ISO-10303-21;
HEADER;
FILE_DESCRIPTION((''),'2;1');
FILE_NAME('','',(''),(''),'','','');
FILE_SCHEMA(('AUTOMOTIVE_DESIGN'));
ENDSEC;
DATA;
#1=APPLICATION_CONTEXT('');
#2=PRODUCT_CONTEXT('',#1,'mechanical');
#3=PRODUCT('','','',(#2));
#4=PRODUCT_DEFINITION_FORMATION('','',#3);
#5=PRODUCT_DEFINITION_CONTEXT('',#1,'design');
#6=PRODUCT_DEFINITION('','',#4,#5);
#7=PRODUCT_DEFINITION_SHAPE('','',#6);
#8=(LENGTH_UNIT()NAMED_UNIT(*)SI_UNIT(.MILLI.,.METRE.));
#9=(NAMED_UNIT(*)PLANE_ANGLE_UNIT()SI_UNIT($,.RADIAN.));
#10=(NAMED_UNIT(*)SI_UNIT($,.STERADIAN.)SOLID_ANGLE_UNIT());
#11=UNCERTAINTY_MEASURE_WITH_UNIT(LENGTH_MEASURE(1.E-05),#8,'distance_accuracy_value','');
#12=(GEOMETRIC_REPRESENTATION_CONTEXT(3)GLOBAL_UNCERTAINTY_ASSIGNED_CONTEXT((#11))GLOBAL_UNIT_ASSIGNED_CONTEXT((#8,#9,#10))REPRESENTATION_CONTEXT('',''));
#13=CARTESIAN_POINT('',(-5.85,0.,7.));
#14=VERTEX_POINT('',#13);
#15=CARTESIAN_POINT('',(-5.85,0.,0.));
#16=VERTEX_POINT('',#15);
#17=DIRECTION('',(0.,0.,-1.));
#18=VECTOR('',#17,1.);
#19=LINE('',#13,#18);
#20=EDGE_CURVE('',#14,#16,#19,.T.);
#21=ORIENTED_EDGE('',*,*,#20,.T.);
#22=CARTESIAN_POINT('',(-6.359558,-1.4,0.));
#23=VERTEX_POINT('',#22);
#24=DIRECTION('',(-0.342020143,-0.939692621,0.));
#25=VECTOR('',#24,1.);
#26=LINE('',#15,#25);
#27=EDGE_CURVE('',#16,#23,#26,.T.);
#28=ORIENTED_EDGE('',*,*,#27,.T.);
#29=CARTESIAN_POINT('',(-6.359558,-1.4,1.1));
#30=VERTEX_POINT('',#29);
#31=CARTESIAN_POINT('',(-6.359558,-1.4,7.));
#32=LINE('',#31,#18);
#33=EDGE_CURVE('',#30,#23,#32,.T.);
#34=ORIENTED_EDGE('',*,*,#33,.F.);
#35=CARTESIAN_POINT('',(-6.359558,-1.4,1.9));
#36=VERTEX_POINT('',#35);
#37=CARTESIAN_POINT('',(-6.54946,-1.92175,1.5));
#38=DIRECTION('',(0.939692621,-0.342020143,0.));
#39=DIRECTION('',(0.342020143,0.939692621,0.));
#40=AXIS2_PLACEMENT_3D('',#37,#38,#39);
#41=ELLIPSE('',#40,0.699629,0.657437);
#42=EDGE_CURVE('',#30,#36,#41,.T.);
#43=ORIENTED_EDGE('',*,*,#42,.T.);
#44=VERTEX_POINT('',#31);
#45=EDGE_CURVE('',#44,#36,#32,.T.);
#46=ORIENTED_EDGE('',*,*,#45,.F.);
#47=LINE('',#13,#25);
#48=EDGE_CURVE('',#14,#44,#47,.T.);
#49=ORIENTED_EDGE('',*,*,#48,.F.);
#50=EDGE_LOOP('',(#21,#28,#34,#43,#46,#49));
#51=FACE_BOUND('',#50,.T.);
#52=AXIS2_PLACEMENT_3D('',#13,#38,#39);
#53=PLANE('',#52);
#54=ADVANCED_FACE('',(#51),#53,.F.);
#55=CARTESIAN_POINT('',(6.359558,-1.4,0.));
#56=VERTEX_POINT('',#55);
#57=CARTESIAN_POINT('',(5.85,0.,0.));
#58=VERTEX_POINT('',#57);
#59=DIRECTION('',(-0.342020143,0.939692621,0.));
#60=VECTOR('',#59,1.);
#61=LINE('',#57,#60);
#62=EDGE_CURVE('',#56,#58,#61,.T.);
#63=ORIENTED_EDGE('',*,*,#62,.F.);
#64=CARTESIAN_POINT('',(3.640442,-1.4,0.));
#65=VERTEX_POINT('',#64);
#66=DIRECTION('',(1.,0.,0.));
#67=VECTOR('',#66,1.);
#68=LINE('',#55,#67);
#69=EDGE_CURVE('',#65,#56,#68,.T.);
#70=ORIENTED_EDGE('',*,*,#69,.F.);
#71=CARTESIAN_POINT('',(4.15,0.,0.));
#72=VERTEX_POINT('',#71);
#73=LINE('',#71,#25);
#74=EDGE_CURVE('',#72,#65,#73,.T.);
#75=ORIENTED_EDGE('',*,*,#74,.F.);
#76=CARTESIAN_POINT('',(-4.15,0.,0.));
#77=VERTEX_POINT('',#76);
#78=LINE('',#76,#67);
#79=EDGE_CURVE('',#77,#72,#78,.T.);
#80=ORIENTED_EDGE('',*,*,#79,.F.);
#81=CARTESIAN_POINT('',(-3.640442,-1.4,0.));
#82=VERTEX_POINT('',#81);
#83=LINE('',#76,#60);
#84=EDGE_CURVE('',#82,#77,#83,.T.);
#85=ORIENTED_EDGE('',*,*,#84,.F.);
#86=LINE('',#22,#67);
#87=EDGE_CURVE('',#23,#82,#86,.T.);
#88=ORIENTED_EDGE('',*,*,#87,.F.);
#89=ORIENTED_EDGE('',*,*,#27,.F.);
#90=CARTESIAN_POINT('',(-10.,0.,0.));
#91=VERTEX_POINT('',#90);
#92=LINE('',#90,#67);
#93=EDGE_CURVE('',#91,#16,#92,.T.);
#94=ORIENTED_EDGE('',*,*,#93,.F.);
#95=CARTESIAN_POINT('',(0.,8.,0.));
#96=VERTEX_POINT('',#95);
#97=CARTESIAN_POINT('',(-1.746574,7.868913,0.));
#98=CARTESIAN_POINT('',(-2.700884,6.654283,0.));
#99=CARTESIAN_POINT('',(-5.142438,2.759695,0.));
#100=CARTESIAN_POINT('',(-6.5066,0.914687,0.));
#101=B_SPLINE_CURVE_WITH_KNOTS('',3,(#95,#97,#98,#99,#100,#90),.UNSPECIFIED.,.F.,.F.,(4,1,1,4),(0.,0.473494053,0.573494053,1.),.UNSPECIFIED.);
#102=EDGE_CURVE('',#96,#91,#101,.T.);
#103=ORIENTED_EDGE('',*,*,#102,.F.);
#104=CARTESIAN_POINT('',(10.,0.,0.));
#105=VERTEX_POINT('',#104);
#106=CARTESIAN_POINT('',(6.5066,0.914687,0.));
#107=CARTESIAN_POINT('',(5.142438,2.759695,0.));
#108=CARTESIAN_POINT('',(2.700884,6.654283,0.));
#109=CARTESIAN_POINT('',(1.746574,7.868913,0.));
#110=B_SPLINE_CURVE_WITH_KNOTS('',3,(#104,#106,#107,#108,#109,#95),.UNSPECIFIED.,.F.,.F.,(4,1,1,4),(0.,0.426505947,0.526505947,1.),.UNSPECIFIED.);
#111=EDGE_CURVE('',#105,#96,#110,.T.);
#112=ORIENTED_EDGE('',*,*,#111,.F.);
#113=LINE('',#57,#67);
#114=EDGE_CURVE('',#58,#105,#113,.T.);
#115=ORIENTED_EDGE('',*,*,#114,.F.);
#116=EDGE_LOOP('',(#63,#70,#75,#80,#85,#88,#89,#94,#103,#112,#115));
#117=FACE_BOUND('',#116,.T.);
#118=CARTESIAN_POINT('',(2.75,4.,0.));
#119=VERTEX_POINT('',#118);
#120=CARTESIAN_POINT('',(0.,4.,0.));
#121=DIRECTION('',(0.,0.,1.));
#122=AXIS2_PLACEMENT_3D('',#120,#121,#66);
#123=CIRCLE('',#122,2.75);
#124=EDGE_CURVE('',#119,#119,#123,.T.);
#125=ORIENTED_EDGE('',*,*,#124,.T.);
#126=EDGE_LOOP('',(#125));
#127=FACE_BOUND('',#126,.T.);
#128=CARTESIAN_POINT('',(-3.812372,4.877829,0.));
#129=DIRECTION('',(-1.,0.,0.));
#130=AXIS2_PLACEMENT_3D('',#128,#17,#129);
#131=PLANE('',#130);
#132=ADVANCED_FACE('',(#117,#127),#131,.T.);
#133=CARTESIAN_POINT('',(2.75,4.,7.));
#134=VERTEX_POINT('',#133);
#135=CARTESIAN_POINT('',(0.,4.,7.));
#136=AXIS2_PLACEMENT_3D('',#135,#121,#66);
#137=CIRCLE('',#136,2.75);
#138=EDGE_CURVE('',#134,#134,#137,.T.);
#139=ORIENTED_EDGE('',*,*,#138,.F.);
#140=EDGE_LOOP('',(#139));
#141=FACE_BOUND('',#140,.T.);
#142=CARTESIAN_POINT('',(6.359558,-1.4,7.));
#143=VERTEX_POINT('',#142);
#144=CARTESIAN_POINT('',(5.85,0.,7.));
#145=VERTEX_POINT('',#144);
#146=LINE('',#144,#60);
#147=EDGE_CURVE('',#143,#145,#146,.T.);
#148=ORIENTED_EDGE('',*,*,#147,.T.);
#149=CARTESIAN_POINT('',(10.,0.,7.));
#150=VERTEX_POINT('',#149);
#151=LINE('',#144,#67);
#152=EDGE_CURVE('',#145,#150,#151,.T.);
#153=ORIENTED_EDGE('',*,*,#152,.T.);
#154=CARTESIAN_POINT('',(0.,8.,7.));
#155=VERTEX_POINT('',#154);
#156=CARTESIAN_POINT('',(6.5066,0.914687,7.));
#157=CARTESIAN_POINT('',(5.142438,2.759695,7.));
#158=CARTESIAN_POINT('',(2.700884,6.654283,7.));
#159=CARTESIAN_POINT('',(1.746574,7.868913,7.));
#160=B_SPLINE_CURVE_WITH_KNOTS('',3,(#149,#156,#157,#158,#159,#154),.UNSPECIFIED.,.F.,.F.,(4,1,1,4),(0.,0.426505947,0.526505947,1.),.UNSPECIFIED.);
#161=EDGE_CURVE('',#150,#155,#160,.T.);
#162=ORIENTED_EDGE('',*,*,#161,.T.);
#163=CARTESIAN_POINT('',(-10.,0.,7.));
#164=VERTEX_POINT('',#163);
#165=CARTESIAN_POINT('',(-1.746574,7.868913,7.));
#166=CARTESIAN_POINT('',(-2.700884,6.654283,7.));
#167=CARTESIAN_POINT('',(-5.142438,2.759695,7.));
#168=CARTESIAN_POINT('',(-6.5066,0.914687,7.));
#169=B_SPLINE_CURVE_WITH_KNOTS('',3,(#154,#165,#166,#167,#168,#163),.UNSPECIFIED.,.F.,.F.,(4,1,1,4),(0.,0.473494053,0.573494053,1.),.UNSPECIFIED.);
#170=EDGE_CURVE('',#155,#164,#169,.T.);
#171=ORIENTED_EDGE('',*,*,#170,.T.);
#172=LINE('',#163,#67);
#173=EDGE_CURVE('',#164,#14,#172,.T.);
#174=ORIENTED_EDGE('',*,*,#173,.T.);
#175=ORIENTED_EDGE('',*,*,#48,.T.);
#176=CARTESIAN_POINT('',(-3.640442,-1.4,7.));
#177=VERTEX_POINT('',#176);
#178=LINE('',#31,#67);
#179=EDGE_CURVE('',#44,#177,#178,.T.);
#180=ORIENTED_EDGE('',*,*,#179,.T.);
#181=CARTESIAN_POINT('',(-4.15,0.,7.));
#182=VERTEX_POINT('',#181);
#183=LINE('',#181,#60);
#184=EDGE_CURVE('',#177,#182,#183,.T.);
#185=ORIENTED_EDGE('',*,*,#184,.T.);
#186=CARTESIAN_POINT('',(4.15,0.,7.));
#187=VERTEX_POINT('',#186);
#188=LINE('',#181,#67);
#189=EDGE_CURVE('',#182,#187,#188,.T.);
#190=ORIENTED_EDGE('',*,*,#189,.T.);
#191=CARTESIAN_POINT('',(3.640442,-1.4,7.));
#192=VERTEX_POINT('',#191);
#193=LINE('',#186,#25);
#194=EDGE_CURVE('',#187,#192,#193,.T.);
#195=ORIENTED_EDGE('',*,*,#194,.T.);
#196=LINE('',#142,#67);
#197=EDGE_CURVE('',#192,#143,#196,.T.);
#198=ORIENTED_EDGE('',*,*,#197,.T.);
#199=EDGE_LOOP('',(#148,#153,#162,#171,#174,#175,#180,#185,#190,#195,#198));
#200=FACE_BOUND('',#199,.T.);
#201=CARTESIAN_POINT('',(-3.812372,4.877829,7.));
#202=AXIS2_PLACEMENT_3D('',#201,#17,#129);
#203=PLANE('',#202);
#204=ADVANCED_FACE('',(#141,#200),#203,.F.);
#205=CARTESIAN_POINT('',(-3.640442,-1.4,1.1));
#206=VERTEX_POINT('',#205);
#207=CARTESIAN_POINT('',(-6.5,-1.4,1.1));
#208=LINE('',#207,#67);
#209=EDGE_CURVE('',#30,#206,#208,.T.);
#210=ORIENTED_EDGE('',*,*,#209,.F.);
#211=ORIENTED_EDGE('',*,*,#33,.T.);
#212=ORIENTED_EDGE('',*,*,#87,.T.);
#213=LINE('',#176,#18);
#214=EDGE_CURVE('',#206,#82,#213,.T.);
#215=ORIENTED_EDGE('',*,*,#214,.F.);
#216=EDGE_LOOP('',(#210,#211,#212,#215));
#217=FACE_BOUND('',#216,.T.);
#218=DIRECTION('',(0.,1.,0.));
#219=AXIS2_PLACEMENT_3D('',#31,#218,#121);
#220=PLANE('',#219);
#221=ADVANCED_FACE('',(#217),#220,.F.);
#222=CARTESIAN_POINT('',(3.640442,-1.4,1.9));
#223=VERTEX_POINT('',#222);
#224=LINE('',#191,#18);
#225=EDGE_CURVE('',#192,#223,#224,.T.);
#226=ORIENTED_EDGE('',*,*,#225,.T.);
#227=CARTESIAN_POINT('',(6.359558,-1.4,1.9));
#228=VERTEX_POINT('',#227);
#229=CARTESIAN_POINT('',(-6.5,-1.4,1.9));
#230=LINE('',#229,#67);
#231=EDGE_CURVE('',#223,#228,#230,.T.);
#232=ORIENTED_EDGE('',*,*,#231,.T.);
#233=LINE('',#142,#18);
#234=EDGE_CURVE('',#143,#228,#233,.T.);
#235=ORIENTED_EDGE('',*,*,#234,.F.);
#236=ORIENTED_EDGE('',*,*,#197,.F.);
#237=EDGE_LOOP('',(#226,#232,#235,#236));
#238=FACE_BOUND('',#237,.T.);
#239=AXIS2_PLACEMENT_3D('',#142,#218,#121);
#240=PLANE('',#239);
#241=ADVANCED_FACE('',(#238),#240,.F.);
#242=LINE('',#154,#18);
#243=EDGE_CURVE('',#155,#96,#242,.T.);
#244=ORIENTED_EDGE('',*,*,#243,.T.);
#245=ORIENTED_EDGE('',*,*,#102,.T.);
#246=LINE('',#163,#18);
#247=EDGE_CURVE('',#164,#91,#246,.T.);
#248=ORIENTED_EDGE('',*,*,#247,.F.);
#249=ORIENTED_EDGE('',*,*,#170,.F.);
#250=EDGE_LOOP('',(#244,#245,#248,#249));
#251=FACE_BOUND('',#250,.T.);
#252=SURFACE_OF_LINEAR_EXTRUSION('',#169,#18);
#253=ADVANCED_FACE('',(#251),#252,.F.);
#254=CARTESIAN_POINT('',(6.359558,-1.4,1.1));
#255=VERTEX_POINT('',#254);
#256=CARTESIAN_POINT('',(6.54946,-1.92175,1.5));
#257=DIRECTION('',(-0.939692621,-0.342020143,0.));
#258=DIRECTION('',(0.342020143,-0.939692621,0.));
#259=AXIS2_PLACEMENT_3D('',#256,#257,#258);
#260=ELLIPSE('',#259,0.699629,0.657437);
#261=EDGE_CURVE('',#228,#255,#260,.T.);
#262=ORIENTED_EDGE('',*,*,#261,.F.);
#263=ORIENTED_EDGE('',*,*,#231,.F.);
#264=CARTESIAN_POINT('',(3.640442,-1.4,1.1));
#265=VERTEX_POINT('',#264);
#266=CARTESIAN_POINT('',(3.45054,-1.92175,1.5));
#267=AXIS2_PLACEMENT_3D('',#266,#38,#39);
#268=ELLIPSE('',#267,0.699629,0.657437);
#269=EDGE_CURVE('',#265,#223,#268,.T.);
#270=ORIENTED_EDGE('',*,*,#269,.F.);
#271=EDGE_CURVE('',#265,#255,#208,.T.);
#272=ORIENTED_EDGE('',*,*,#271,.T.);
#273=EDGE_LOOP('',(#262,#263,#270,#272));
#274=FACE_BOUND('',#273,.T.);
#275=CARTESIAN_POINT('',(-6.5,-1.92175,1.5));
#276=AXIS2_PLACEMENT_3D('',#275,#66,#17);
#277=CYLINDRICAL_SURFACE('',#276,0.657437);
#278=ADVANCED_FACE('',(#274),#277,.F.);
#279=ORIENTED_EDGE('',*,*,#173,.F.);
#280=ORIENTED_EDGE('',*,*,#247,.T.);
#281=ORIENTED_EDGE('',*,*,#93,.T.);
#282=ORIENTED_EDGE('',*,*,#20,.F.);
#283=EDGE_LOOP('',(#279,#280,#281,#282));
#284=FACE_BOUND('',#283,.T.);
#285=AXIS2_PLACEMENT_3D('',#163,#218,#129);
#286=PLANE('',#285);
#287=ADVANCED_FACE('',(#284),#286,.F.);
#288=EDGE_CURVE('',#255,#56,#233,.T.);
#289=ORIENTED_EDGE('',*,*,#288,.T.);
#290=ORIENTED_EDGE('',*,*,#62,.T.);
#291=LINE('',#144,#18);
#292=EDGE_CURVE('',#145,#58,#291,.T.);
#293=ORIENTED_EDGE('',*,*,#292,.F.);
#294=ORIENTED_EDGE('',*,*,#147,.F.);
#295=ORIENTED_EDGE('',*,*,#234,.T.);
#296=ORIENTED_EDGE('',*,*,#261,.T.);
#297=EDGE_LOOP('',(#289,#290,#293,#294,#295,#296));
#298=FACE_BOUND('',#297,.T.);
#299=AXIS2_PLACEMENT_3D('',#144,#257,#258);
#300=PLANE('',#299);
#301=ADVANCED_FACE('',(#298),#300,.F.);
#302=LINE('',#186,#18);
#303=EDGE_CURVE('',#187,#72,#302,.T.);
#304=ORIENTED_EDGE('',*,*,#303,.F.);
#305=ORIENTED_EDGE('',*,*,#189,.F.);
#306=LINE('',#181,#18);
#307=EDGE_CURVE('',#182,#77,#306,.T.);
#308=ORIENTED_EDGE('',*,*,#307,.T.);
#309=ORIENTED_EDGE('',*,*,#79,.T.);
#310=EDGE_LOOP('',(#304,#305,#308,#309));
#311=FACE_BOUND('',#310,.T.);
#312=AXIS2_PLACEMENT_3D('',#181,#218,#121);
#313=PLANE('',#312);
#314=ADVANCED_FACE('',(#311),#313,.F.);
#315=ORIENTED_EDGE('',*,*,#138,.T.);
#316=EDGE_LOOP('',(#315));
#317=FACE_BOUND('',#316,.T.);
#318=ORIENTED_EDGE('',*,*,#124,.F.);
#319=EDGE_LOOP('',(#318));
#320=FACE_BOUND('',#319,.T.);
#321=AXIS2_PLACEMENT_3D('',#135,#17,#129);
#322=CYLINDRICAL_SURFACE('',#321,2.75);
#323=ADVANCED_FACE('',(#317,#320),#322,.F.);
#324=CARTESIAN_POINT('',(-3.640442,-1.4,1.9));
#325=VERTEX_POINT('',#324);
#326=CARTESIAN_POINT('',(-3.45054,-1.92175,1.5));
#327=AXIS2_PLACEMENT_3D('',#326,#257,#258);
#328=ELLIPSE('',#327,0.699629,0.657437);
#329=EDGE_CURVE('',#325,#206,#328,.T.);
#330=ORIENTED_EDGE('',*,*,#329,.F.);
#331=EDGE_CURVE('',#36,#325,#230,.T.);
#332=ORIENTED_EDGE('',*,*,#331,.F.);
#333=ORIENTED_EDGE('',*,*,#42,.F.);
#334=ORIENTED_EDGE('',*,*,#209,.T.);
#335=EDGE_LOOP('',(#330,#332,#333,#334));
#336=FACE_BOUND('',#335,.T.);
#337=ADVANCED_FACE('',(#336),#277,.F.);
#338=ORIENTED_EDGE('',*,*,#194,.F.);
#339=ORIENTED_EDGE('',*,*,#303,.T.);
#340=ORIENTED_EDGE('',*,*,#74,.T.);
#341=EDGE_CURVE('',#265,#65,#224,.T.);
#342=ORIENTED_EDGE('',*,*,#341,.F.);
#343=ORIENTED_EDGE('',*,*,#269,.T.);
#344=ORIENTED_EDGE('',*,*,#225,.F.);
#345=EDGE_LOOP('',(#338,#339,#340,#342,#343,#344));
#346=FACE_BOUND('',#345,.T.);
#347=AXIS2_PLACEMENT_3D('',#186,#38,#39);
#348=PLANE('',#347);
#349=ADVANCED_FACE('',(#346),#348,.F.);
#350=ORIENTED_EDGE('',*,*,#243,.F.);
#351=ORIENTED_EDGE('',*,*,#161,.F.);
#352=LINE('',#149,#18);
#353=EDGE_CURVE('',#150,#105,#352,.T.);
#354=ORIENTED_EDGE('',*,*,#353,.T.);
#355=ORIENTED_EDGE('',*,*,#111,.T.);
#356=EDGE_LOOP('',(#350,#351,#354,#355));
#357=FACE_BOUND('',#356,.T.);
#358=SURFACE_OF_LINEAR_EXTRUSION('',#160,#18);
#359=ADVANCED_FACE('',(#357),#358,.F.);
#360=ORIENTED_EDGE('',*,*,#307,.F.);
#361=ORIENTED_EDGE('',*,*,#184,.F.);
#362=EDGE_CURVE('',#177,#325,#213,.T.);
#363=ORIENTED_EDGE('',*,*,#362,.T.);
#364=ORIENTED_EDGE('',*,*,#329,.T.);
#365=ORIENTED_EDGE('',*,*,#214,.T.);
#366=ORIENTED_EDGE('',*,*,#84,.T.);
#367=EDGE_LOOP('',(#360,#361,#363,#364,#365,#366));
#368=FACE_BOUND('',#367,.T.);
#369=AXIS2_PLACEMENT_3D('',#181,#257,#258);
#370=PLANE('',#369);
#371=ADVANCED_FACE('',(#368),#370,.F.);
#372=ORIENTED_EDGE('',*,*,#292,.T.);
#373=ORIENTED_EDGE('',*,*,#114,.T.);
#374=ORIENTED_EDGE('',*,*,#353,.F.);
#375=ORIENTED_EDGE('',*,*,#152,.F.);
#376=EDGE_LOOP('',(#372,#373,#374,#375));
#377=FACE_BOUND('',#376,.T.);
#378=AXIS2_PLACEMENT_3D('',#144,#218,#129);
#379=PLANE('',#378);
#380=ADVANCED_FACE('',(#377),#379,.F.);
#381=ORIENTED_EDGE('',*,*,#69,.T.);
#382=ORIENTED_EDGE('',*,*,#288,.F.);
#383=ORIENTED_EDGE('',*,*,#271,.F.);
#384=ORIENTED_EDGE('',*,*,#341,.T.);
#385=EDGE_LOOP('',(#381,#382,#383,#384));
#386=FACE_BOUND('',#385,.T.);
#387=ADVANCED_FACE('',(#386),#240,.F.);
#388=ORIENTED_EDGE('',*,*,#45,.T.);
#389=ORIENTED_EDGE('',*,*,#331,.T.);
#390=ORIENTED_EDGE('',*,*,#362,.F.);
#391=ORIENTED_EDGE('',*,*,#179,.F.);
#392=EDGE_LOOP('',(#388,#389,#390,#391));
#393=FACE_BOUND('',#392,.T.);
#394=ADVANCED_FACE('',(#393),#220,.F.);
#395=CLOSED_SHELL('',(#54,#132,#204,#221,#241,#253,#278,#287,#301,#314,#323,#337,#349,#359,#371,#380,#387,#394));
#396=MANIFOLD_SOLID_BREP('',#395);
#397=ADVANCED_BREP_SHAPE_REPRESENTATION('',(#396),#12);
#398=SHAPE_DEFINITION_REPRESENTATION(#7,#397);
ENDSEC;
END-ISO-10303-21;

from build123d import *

# Parameters (mm, degrees)
SKETCH_1_R          = 2.75
EXTRUDE_1_DEPTH     = 7
CUT_EXTRUDE_1_DEPTH = 6.5


with BuildPart() as part:
    # 草圖1 → 填料-伸長1 (new body)
    with BuildSketch(Plane.XY):
        with BuildLine():
            Line((-10, 0), (-5.85, 0))
            Line((-5.85, 0), (-6.359558328, -1.4))
            Line((-6.359558328, -1.4), (-3.640441672, -1.4))
            Line((-3.640441672, -1.4), (-4.15, 0))
            Line((-4.15, 0), (4.15, 0))
            Line((4.15, 0), (3.640441672, -1.4))
            Line((3.640441672, -1.4), (6.359558328, -1.4))
            Line((6.359558328, -1.4), (5.85, 0))
            Line((5.85, 0), (10, 0))
            add(Edge.make_bspline(
                [(10, 0), (6.506599927, 0.91468669), (5.142438062, 2.759694825), (2.700884336, 6.654283479), (1.746574016, 7.868913283), (0, 8)],
                knots=[0, 0, 0, 0, 0.426505947, 0.526505947, 1, 1, 1, 1], degree=3))
            add(Edge.make_bspline(
                [(-10, 0), (-6.506599927, 0.91468669), (-5.142438062, 2.759694825), (-2.700884336, 6.654283479), (-1.746574016, 7.868913283), (0, 8)],
                knots=[0, 0, 0, 0, 0.426505947, 0.526505947, 1, 1, 1, 1], degree=3))
        make_face()
        with Locations((0, 4)):
            Circle(SKETCH_1_R, mode=Mode.SUBTRACT)
    extrude(amount=EXTRUDE_1_DEPTH)

    # 草圖2 → 除料-伸長1 (cut, symmetric)
    with BuildSketch(Plane(origin=(0, 0, 0), x_dir=(0, 0, -1), z_dir=(1, 0, 0))):
        with BuildLine():
            Line((-1.9, -1.4), (-1.1, -1.4))
            ThreePointArc((-1.1, -1.4), (-1.5, -1.264313215), (-1.9, -1.4))
        make_face()
    extrude(amount=CUT_EXTRUDE_1_DEPTH, both=True, mode=Mode.SUBTRACT)


solid = part.part
